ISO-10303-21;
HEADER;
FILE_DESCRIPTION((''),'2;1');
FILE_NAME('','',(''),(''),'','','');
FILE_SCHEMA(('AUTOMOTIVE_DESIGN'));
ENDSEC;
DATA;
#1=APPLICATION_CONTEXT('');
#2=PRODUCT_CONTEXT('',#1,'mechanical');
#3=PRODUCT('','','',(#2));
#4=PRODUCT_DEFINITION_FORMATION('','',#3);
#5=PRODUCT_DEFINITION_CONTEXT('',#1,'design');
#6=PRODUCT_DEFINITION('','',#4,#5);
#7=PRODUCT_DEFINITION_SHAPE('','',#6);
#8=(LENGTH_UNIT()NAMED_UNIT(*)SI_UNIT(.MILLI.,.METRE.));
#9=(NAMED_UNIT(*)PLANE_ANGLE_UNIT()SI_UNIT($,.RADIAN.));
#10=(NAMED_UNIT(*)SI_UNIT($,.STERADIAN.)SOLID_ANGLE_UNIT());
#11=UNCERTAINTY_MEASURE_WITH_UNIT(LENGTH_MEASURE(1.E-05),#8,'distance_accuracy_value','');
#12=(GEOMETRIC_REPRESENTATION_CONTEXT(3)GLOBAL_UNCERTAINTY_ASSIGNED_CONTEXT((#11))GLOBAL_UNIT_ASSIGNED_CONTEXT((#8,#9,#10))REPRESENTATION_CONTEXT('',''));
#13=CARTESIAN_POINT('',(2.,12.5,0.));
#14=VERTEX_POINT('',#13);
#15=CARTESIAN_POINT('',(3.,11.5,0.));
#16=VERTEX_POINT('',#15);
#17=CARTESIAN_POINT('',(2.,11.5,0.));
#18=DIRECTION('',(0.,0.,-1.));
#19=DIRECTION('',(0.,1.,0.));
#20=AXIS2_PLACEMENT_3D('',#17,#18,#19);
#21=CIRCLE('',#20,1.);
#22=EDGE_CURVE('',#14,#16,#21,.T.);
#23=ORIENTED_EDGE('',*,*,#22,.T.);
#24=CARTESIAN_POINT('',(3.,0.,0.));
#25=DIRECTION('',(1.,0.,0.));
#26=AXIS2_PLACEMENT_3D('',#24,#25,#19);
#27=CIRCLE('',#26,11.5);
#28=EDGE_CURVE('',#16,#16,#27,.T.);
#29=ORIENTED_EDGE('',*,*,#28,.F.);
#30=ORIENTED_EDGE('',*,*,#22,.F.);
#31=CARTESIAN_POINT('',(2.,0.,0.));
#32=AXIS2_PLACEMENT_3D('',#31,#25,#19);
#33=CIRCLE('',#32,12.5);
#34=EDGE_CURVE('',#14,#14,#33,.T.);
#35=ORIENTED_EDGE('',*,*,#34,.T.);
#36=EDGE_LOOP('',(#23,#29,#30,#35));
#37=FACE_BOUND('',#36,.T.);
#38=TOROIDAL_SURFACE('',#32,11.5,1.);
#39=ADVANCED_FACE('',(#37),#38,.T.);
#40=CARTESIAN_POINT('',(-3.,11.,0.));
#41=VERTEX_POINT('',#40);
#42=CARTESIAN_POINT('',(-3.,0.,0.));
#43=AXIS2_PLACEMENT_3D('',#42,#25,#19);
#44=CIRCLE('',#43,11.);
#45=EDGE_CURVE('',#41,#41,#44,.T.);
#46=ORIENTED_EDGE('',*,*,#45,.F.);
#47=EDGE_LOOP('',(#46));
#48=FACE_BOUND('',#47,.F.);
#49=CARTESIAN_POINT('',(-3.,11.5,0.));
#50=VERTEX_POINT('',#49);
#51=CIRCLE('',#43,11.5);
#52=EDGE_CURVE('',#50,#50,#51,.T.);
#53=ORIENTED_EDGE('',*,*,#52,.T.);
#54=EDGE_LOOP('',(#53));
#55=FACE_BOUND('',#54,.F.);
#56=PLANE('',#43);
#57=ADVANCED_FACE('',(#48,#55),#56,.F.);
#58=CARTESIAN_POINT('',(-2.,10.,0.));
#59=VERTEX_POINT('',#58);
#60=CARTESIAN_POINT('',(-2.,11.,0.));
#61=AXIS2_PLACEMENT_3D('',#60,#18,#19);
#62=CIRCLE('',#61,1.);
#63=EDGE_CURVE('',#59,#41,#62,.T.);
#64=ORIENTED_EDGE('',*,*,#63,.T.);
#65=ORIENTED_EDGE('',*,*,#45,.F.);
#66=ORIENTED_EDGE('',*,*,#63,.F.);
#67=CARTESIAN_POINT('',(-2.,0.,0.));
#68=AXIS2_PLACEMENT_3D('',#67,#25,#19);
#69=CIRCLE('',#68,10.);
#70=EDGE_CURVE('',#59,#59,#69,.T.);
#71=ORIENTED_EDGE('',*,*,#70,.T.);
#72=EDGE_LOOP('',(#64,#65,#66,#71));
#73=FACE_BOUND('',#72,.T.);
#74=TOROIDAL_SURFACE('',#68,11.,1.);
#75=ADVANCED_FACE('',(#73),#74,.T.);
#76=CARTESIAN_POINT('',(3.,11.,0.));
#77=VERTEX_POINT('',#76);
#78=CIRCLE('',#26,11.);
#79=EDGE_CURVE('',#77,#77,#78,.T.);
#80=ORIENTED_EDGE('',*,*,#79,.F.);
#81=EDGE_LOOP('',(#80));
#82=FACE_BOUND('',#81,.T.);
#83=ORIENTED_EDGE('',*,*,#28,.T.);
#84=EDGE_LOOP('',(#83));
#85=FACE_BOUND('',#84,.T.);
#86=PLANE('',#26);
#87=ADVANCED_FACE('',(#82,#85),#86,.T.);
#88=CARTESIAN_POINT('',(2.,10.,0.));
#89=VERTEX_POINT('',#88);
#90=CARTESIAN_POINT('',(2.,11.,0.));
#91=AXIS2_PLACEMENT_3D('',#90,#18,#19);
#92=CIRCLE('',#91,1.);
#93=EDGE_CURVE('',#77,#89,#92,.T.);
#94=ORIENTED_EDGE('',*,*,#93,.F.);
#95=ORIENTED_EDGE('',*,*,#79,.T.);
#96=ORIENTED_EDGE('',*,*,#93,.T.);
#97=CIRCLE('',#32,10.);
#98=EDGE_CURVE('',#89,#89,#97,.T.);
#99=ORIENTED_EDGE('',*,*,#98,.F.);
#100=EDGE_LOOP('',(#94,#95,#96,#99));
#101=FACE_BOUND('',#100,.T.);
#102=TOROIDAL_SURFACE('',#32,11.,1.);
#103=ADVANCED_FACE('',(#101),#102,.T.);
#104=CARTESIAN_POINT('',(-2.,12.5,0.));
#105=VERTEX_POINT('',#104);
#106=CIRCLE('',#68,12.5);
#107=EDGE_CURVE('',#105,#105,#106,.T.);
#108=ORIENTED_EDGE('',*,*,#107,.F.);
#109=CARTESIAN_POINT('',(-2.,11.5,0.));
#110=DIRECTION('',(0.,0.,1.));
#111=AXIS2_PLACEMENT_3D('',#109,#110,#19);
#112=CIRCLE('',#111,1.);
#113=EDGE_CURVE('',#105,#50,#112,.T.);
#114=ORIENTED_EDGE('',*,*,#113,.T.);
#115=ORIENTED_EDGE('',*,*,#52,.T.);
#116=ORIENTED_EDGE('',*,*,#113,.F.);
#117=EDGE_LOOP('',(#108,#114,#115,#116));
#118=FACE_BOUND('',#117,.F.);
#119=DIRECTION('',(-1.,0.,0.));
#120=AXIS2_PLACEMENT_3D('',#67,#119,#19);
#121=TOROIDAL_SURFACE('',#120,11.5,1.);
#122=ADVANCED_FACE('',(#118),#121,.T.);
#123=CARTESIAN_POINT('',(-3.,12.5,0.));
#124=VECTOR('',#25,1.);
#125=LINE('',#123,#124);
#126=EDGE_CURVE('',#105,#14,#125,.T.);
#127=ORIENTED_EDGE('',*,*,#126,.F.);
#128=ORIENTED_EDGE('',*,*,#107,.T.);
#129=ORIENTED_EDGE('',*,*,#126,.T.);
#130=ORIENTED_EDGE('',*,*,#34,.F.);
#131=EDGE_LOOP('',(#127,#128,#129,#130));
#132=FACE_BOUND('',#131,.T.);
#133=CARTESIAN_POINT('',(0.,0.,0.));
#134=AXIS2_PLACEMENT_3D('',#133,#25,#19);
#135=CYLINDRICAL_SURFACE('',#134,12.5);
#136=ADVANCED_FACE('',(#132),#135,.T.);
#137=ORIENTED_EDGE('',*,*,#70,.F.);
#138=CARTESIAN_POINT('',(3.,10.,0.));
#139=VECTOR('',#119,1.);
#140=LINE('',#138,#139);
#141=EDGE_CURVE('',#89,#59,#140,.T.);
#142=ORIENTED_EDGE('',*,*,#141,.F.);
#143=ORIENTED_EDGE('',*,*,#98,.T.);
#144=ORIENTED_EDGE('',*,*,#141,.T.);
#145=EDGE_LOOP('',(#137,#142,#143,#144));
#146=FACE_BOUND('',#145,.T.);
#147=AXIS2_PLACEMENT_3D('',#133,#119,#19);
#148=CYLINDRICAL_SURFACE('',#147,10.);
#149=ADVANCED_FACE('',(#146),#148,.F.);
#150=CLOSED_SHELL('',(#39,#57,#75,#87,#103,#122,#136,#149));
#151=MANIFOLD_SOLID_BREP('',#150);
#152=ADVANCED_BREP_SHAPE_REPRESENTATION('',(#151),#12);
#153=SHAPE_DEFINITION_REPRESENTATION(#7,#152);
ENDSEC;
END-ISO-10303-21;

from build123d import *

# Parameters (mm, degrees)
F0_R     = 12.5
F0_R_2   = 10
F1_DEPTH = 3
F2_R     = 1


with BuildPart() as f1:
    # F0 (on Right) → F1 (new body, symmetric)
    with BuildSketch(Plane.YZ):
        Circle(F0_R)
        Circle(F0_R_2, mode=Mode.SUBTRACT)
    extrude(amount=F1_DEPTH, both=True)

    # F2
    f2_edges = [f1.edges().sort_by_distance(p)[0] for p in [
        (3, -12.5, 0),
        (3, -10, 0),
        (-3, -10, 0),
        (-3, -12.5, 0),
    ]]
    fillet(f2_edges, radius=F2_R)


solid = f1.part
